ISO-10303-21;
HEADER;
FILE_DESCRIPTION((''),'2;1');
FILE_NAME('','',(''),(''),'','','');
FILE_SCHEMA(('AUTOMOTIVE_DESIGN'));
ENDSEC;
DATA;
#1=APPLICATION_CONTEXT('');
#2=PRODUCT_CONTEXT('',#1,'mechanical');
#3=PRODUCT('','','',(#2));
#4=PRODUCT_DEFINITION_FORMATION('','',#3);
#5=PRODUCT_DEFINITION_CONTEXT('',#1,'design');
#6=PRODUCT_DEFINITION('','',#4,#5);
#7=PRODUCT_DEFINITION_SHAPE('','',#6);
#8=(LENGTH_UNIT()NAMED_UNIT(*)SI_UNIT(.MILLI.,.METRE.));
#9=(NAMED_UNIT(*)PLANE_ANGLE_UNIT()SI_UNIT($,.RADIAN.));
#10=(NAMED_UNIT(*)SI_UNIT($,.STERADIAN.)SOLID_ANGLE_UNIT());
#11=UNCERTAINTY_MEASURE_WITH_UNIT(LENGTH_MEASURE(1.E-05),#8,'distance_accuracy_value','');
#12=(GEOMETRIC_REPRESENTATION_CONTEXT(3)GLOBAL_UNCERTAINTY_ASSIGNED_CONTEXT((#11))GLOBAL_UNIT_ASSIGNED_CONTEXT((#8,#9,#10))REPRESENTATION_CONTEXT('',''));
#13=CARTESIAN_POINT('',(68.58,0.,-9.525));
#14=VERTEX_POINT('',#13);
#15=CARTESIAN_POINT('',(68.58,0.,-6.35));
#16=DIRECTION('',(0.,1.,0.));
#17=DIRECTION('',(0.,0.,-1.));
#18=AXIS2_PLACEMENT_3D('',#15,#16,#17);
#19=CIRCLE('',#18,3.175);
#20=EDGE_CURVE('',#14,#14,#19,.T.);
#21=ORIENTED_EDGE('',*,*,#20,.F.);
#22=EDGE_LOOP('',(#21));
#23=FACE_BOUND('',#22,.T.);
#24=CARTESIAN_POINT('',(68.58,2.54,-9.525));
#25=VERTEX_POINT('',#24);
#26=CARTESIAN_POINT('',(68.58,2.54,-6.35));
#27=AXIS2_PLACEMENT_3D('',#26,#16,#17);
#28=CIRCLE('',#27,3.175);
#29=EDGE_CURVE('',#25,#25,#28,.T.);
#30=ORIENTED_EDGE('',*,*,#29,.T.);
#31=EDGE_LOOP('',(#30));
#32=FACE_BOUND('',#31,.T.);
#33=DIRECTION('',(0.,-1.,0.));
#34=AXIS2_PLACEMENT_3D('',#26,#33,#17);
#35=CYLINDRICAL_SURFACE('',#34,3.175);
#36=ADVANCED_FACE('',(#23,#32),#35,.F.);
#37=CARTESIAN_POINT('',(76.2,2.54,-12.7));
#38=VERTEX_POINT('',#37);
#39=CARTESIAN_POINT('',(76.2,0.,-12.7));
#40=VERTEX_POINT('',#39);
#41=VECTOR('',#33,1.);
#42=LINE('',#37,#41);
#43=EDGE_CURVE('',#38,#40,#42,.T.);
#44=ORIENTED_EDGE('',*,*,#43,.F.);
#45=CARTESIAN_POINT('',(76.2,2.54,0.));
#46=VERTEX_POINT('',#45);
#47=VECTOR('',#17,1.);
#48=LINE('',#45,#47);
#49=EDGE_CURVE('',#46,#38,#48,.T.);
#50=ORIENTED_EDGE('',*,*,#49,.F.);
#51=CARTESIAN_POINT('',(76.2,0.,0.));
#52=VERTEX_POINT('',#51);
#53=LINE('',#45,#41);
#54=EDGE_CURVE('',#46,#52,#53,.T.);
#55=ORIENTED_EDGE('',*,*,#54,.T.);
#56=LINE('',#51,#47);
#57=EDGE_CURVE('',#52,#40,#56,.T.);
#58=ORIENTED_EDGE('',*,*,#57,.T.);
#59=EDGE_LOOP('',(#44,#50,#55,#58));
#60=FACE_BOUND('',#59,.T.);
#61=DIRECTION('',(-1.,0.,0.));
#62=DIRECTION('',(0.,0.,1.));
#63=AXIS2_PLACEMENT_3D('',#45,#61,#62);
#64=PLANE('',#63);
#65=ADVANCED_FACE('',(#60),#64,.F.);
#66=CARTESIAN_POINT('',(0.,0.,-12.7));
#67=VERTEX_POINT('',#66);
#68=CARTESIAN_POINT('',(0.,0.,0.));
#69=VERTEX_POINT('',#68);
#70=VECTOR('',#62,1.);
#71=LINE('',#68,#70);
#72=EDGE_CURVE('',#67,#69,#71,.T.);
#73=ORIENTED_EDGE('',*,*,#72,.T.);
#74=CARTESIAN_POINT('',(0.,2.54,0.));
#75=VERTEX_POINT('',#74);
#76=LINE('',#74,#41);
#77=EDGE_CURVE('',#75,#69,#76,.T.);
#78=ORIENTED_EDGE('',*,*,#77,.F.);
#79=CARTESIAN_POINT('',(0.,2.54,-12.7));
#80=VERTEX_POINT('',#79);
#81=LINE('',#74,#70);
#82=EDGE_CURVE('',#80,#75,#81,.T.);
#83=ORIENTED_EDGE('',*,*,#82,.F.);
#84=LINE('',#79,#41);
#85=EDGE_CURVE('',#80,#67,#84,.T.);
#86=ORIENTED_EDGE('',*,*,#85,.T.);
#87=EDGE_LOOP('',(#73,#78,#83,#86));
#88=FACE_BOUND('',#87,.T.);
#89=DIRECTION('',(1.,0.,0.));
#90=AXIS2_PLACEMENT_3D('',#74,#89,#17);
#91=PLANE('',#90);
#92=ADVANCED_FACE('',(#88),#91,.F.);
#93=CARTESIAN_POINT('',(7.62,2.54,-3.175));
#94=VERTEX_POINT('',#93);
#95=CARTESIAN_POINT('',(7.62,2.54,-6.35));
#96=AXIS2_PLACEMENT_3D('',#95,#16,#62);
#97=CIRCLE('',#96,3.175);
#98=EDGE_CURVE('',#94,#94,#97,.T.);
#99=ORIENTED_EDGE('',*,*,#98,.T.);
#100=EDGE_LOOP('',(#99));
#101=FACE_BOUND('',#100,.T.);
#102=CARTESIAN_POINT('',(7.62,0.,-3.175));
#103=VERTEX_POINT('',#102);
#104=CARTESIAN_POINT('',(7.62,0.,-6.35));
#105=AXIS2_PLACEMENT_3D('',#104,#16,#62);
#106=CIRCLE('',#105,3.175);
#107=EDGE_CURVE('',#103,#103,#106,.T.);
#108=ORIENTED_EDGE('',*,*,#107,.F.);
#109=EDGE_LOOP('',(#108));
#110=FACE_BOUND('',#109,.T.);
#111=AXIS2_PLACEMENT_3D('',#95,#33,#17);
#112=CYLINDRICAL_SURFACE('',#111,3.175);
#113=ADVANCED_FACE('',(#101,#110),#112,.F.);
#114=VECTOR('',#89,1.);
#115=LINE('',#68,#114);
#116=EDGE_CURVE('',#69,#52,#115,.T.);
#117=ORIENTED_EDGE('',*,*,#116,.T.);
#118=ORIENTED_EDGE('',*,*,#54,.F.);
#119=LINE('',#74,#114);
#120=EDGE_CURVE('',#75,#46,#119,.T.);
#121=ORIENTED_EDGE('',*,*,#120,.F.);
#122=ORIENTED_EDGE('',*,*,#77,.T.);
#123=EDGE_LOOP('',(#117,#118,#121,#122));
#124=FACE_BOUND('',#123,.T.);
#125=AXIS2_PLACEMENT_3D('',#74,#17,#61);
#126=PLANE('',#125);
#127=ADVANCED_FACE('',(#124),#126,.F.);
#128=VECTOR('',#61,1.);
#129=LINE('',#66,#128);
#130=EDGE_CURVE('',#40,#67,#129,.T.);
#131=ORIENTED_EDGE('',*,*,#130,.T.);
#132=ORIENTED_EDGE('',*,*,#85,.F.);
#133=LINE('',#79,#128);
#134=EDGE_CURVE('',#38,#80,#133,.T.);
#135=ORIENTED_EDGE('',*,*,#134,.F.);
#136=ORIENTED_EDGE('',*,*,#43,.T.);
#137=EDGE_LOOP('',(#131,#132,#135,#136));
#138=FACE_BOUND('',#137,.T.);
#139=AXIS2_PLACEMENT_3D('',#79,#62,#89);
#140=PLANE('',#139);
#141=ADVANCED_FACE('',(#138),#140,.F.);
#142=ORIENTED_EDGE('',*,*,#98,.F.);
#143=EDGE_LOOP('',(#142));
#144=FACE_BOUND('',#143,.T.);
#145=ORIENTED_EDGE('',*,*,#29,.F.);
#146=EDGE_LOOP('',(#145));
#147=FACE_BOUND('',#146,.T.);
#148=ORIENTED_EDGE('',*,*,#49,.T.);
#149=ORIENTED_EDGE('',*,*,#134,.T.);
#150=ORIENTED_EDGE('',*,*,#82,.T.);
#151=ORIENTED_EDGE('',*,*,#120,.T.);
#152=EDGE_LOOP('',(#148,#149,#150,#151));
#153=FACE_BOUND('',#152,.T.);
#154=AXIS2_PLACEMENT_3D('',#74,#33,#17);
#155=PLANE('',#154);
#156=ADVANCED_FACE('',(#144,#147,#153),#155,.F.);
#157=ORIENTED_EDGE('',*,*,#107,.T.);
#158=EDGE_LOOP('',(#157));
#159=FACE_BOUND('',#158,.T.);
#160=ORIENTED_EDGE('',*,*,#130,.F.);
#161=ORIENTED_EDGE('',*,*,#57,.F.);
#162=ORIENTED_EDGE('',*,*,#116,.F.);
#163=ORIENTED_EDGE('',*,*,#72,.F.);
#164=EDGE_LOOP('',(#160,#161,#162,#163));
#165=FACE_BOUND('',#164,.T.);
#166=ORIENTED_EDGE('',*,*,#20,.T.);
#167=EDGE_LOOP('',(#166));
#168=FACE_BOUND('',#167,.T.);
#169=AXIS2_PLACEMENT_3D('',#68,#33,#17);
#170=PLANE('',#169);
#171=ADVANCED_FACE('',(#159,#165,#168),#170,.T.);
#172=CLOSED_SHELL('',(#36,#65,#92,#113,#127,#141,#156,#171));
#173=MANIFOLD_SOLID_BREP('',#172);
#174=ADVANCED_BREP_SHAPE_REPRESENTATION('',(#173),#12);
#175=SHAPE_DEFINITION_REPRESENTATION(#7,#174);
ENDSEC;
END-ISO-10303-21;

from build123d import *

# Parameters (mm, degrees)
SKETCH1_W           = 76.2
SKETCH1_H           = 12.7
SKETCH1_R           = 3.175
BOSS_EXTRUDE2_DEPTH = 2.54


with BuildPart() as part:
    # Sketch1 → Boss-Extrude2 (new body)
    with BuildSketch(Plane(origin=(0, 0, 0), x_dir=(1, 0, 0), z_dir=(0, 1, 0))):
        with Locations((38.1, 6.35)):
            Rectangle(SKETCH1_W, SKETCH1_H)
        with Locations((7.62, 6.35)):
            Circle(SKETCH1_R, mode=Mode.SUBTRACT)
        with Locations((68.58, 6.35)):
            Circle(SKETCH1_R, mode=Mode.SUBTRACT)
    extrude(amount=BOSS_EXTRUDE2_DEPTH)


solid = part.part
